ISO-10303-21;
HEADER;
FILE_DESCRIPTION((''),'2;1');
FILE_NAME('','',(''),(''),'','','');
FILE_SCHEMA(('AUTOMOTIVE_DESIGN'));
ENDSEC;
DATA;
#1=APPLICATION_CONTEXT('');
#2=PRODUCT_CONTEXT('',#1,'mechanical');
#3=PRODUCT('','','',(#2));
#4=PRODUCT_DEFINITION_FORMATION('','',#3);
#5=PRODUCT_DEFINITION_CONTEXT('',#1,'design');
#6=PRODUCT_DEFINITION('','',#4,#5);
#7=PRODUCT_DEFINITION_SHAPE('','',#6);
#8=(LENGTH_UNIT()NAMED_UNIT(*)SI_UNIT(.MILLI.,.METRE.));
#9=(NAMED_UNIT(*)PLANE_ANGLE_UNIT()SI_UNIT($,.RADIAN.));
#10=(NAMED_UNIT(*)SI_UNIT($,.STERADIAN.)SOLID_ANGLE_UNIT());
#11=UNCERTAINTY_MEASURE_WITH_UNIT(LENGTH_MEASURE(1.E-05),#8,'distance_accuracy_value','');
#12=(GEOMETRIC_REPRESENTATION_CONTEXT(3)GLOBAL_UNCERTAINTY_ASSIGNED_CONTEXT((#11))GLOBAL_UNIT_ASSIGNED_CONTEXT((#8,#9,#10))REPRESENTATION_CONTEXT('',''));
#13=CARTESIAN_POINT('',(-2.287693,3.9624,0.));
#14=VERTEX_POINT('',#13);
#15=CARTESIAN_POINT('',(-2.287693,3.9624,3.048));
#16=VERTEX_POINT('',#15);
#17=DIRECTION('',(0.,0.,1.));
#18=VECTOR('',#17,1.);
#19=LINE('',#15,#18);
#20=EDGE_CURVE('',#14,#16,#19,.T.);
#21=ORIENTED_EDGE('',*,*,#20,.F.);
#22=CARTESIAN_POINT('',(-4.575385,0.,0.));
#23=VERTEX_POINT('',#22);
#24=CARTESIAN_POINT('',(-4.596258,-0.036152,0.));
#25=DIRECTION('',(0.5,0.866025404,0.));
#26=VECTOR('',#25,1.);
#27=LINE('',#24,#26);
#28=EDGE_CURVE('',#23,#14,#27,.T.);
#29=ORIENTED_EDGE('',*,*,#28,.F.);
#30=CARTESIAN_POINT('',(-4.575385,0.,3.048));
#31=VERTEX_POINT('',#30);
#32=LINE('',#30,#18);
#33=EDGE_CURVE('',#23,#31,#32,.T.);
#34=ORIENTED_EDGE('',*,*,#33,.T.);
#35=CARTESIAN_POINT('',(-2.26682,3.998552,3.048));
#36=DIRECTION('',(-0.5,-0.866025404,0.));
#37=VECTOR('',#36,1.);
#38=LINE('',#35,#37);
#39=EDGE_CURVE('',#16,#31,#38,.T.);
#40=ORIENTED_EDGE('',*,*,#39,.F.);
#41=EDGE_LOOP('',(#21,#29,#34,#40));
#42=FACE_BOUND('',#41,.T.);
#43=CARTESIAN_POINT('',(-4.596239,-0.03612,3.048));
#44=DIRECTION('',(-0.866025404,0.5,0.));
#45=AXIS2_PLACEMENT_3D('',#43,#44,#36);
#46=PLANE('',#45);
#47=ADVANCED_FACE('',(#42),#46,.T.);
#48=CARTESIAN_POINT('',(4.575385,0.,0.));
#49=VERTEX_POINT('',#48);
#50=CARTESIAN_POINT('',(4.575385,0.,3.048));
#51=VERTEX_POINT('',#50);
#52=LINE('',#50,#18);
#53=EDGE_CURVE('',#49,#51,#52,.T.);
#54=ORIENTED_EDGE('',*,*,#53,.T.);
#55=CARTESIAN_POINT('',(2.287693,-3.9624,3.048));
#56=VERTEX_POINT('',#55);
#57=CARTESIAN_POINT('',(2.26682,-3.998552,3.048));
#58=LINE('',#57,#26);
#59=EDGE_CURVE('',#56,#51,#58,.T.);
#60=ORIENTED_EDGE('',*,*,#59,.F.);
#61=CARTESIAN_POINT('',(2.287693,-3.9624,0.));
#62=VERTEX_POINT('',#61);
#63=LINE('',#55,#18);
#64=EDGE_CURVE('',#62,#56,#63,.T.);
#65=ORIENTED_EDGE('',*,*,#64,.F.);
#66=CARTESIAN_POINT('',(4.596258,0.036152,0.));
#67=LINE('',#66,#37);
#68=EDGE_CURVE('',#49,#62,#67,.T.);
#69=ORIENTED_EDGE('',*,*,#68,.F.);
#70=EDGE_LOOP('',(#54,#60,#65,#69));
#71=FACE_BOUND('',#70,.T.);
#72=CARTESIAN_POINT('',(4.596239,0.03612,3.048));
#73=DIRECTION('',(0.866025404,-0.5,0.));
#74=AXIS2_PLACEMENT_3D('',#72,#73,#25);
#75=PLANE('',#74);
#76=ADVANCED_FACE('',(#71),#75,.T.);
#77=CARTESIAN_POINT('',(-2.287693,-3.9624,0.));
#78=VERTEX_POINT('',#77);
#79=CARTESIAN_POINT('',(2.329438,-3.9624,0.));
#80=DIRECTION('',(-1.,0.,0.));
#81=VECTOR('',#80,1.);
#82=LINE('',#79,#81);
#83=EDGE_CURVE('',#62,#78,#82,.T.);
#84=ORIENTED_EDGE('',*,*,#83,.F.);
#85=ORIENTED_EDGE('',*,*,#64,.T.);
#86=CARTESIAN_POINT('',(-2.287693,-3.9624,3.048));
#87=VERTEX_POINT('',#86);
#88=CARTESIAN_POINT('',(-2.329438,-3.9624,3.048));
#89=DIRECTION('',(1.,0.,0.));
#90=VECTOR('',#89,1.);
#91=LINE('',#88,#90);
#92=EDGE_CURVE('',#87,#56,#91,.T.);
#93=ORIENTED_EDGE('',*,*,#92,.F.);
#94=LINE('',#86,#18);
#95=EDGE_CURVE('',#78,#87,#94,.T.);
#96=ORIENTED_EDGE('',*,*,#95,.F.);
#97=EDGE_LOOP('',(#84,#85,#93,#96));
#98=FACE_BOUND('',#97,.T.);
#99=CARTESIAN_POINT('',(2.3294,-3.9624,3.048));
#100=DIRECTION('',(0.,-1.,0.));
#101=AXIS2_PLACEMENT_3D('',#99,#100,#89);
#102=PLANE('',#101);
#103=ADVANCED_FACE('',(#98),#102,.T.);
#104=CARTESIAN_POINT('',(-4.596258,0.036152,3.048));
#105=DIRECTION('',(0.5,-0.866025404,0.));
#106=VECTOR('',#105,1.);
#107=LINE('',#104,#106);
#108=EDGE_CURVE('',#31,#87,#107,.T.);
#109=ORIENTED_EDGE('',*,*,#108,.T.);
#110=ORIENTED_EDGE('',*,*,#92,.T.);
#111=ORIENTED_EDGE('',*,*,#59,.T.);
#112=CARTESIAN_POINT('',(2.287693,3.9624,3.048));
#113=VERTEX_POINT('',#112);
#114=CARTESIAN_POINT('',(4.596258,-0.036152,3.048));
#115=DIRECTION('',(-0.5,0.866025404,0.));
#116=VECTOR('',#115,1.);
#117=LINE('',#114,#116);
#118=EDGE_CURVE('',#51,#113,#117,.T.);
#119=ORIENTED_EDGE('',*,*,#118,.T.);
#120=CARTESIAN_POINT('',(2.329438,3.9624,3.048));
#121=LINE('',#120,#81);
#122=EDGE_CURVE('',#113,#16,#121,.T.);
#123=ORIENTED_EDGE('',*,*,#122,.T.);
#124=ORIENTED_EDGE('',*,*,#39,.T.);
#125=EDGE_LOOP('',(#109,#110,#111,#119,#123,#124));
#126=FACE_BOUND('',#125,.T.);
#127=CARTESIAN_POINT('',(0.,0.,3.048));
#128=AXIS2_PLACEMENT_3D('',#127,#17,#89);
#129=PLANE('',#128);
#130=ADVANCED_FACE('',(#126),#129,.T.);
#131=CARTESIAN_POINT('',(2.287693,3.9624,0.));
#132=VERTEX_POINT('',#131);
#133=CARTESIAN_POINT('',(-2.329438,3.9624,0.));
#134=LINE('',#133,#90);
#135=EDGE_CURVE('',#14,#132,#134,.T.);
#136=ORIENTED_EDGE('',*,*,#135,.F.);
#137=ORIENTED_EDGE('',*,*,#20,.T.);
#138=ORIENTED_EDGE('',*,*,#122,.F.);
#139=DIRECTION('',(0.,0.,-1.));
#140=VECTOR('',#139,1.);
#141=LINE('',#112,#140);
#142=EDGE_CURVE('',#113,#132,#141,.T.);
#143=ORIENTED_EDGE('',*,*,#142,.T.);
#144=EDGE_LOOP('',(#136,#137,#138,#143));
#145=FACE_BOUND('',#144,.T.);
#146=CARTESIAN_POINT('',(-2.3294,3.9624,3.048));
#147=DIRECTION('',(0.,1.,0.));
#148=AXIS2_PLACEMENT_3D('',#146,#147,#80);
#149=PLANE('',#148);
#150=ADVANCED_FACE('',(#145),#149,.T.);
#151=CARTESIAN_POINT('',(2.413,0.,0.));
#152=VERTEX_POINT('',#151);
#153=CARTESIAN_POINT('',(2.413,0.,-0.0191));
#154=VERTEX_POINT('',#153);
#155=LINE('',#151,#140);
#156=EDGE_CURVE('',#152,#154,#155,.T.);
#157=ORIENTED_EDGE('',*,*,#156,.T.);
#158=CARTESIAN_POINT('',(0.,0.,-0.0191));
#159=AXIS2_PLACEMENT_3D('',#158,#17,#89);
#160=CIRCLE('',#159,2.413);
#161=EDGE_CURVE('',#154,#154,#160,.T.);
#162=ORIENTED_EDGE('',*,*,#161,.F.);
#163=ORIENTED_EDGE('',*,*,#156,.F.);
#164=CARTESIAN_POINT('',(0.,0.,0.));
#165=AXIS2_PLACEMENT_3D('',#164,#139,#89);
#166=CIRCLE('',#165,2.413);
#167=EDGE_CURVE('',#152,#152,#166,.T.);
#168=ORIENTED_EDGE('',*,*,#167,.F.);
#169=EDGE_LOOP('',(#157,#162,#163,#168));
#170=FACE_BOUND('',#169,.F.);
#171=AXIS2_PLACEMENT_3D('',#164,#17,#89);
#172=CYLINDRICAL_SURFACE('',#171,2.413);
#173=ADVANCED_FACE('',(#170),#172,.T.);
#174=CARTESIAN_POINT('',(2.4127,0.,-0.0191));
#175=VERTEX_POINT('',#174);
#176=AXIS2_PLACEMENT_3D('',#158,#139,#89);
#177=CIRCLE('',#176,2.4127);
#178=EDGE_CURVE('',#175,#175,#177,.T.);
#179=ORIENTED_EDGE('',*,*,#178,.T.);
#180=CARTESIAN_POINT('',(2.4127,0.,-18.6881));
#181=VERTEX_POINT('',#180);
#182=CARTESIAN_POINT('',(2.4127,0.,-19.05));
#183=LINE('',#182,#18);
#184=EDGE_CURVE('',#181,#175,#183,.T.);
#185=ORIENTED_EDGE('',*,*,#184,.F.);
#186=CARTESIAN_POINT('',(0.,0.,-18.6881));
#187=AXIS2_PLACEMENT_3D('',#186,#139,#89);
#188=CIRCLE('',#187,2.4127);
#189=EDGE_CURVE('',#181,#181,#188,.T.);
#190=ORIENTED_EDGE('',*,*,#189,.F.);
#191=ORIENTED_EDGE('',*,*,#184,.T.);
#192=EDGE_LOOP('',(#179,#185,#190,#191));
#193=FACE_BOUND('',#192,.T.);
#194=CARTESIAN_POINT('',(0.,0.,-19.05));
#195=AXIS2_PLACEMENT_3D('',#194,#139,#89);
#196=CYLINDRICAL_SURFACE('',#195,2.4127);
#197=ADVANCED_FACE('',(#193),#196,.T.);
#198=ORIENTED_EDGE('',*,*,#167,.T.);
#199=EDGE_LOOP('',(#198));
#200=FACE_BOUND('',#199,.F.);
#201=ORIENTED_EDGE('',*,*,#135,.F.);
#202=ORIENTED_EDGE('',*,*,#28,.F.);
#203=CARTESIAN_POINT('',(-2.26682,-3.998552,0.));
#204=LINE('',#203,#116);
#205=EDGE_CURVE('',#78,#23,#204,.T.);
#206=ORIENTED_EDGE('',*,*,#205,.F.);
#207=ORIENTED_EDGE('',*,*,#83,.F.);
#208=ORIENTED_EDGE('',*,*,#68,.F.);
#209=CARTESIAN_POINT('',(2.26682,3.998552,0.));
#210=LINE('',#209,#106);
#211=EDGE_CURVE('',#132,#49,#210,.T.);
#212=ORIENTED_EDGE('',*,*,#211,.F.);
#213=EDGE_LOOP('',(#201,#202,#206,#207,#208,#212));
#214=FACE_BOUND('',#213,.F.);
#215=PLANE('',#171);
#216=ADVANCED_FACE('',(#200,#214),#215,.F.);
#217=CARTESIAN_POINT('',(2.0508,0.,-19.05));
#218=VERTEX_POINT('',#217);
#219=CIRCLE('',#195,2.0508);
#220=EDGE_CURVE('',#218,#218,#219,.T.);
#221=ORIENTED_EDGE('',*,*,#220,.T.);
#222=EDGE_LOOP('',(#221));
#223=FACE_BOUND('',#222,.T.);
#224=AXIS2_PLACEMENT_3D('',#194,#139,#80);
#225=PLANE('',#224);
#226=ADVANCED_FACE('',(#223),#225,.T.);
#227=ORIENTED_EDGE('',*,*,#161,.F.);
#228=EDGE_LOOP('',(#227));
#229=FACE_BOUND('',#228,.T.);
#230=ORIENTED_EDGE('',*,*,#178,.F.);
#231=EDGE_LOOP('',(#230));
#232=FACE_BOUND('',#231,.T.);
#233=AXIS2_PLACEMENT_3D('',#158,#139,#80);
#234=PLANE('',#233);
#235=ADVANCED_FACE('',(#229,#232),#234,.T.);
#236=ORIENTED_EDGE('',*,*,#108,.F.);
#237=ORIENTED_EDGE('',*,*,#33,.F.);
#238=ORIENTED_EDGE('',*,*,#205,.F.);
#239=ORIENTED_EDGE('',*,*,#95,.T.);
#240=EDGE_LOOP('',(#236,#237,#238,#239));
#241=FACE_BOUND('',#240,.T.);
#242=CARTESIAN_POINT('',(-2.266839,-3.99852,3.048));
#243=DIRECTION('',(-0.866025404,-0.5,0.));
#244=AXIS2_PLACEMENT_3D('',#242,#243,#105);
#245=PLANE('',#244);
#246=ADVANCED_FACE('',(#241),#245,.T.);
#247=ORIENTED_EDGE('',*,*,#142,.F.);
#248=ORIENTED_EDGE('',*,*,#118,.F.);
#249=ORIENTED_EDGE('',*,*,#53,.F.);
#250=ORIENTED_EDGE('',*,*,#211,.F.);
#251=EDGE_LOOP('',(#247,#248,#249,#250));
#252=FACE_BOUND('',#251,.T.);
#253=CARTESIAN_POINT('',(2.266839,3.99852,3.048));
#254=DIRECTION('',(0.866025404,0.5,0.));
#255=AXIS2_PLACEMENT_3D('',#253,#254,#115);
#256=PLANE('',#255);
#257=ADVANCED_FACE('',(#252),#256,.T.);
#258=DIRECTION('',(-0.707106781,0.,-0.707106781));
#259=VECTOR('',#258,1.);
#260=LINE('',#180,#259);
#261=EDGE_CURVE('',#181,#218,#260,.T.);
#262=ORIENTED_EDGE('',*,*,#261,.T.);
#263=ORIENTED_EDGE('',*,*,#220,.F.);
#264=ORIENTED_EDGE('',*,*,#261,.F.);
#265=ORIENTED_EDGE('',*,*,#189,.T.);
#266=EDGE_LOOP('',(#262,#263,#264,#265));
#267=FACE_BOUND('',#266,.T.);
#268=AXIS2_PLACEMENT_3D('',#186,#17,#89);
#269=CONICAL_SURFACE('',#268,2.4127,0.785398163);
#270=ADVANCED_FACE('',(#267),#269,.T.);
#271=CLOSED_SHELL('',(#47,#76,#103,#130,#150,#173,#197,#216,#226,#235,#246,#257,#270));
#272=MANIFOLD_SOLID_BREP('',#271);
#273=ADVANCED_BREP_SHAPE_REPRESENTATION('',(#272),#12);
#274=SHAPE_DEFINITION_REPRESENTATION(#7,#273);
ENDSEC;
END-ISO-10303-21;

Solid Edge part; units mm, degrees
sketch "Sketch1" plane through (0, 0, 0) normal (0, 0, 1) x (1, 0, 0)
  circle A0 centre (0, 0) radius 4.5964
  dimension "D1" = 9.1928
extrude "Protrusion1" add sketch "Sketch1" along normal blind 3.048
sketch "Sketch2" plane through (0, 0, 0) normal (0, 0, -1) x (1, 0, 0)
  circle A0 centre (0, 0) radius 2.413
extrude "Protrusion2" add sketch "Sketch2" along normal blind 19.05
sketch "Sketch3" plane through (0, 0, -19.05) normal (0, 0, -1) x (1, 0, 0)
  circle A0 centre (0, 0) radius 2.4127
extrude "Cutout1" cut sketch "Sketch3" against normal blind 19.0309 flip side to cut
chamfer "Chamfer_1" distance 0.3619 angle 45 1 edges at (-2.4127, 0, -19.05)
sketch "Sketch4" plane through (0, 0, 3.048) normal (0, 0, 1) x (1, 0, 0)
  line L0 (-2.3294, 3.9624) -> (2.3294, 3.9624)
  dimension "D1" = 7.9248
extrude "Cutout2" cut sketch "Sketch4" against normal up to next material side at (0, 4.0124, 3.048)
pattern_circular "Pattern1" count 6 over 360 about axis through (0, 0, 3.048) along (0, 0, 1) of "Cutout2"
properties part number "182141"
